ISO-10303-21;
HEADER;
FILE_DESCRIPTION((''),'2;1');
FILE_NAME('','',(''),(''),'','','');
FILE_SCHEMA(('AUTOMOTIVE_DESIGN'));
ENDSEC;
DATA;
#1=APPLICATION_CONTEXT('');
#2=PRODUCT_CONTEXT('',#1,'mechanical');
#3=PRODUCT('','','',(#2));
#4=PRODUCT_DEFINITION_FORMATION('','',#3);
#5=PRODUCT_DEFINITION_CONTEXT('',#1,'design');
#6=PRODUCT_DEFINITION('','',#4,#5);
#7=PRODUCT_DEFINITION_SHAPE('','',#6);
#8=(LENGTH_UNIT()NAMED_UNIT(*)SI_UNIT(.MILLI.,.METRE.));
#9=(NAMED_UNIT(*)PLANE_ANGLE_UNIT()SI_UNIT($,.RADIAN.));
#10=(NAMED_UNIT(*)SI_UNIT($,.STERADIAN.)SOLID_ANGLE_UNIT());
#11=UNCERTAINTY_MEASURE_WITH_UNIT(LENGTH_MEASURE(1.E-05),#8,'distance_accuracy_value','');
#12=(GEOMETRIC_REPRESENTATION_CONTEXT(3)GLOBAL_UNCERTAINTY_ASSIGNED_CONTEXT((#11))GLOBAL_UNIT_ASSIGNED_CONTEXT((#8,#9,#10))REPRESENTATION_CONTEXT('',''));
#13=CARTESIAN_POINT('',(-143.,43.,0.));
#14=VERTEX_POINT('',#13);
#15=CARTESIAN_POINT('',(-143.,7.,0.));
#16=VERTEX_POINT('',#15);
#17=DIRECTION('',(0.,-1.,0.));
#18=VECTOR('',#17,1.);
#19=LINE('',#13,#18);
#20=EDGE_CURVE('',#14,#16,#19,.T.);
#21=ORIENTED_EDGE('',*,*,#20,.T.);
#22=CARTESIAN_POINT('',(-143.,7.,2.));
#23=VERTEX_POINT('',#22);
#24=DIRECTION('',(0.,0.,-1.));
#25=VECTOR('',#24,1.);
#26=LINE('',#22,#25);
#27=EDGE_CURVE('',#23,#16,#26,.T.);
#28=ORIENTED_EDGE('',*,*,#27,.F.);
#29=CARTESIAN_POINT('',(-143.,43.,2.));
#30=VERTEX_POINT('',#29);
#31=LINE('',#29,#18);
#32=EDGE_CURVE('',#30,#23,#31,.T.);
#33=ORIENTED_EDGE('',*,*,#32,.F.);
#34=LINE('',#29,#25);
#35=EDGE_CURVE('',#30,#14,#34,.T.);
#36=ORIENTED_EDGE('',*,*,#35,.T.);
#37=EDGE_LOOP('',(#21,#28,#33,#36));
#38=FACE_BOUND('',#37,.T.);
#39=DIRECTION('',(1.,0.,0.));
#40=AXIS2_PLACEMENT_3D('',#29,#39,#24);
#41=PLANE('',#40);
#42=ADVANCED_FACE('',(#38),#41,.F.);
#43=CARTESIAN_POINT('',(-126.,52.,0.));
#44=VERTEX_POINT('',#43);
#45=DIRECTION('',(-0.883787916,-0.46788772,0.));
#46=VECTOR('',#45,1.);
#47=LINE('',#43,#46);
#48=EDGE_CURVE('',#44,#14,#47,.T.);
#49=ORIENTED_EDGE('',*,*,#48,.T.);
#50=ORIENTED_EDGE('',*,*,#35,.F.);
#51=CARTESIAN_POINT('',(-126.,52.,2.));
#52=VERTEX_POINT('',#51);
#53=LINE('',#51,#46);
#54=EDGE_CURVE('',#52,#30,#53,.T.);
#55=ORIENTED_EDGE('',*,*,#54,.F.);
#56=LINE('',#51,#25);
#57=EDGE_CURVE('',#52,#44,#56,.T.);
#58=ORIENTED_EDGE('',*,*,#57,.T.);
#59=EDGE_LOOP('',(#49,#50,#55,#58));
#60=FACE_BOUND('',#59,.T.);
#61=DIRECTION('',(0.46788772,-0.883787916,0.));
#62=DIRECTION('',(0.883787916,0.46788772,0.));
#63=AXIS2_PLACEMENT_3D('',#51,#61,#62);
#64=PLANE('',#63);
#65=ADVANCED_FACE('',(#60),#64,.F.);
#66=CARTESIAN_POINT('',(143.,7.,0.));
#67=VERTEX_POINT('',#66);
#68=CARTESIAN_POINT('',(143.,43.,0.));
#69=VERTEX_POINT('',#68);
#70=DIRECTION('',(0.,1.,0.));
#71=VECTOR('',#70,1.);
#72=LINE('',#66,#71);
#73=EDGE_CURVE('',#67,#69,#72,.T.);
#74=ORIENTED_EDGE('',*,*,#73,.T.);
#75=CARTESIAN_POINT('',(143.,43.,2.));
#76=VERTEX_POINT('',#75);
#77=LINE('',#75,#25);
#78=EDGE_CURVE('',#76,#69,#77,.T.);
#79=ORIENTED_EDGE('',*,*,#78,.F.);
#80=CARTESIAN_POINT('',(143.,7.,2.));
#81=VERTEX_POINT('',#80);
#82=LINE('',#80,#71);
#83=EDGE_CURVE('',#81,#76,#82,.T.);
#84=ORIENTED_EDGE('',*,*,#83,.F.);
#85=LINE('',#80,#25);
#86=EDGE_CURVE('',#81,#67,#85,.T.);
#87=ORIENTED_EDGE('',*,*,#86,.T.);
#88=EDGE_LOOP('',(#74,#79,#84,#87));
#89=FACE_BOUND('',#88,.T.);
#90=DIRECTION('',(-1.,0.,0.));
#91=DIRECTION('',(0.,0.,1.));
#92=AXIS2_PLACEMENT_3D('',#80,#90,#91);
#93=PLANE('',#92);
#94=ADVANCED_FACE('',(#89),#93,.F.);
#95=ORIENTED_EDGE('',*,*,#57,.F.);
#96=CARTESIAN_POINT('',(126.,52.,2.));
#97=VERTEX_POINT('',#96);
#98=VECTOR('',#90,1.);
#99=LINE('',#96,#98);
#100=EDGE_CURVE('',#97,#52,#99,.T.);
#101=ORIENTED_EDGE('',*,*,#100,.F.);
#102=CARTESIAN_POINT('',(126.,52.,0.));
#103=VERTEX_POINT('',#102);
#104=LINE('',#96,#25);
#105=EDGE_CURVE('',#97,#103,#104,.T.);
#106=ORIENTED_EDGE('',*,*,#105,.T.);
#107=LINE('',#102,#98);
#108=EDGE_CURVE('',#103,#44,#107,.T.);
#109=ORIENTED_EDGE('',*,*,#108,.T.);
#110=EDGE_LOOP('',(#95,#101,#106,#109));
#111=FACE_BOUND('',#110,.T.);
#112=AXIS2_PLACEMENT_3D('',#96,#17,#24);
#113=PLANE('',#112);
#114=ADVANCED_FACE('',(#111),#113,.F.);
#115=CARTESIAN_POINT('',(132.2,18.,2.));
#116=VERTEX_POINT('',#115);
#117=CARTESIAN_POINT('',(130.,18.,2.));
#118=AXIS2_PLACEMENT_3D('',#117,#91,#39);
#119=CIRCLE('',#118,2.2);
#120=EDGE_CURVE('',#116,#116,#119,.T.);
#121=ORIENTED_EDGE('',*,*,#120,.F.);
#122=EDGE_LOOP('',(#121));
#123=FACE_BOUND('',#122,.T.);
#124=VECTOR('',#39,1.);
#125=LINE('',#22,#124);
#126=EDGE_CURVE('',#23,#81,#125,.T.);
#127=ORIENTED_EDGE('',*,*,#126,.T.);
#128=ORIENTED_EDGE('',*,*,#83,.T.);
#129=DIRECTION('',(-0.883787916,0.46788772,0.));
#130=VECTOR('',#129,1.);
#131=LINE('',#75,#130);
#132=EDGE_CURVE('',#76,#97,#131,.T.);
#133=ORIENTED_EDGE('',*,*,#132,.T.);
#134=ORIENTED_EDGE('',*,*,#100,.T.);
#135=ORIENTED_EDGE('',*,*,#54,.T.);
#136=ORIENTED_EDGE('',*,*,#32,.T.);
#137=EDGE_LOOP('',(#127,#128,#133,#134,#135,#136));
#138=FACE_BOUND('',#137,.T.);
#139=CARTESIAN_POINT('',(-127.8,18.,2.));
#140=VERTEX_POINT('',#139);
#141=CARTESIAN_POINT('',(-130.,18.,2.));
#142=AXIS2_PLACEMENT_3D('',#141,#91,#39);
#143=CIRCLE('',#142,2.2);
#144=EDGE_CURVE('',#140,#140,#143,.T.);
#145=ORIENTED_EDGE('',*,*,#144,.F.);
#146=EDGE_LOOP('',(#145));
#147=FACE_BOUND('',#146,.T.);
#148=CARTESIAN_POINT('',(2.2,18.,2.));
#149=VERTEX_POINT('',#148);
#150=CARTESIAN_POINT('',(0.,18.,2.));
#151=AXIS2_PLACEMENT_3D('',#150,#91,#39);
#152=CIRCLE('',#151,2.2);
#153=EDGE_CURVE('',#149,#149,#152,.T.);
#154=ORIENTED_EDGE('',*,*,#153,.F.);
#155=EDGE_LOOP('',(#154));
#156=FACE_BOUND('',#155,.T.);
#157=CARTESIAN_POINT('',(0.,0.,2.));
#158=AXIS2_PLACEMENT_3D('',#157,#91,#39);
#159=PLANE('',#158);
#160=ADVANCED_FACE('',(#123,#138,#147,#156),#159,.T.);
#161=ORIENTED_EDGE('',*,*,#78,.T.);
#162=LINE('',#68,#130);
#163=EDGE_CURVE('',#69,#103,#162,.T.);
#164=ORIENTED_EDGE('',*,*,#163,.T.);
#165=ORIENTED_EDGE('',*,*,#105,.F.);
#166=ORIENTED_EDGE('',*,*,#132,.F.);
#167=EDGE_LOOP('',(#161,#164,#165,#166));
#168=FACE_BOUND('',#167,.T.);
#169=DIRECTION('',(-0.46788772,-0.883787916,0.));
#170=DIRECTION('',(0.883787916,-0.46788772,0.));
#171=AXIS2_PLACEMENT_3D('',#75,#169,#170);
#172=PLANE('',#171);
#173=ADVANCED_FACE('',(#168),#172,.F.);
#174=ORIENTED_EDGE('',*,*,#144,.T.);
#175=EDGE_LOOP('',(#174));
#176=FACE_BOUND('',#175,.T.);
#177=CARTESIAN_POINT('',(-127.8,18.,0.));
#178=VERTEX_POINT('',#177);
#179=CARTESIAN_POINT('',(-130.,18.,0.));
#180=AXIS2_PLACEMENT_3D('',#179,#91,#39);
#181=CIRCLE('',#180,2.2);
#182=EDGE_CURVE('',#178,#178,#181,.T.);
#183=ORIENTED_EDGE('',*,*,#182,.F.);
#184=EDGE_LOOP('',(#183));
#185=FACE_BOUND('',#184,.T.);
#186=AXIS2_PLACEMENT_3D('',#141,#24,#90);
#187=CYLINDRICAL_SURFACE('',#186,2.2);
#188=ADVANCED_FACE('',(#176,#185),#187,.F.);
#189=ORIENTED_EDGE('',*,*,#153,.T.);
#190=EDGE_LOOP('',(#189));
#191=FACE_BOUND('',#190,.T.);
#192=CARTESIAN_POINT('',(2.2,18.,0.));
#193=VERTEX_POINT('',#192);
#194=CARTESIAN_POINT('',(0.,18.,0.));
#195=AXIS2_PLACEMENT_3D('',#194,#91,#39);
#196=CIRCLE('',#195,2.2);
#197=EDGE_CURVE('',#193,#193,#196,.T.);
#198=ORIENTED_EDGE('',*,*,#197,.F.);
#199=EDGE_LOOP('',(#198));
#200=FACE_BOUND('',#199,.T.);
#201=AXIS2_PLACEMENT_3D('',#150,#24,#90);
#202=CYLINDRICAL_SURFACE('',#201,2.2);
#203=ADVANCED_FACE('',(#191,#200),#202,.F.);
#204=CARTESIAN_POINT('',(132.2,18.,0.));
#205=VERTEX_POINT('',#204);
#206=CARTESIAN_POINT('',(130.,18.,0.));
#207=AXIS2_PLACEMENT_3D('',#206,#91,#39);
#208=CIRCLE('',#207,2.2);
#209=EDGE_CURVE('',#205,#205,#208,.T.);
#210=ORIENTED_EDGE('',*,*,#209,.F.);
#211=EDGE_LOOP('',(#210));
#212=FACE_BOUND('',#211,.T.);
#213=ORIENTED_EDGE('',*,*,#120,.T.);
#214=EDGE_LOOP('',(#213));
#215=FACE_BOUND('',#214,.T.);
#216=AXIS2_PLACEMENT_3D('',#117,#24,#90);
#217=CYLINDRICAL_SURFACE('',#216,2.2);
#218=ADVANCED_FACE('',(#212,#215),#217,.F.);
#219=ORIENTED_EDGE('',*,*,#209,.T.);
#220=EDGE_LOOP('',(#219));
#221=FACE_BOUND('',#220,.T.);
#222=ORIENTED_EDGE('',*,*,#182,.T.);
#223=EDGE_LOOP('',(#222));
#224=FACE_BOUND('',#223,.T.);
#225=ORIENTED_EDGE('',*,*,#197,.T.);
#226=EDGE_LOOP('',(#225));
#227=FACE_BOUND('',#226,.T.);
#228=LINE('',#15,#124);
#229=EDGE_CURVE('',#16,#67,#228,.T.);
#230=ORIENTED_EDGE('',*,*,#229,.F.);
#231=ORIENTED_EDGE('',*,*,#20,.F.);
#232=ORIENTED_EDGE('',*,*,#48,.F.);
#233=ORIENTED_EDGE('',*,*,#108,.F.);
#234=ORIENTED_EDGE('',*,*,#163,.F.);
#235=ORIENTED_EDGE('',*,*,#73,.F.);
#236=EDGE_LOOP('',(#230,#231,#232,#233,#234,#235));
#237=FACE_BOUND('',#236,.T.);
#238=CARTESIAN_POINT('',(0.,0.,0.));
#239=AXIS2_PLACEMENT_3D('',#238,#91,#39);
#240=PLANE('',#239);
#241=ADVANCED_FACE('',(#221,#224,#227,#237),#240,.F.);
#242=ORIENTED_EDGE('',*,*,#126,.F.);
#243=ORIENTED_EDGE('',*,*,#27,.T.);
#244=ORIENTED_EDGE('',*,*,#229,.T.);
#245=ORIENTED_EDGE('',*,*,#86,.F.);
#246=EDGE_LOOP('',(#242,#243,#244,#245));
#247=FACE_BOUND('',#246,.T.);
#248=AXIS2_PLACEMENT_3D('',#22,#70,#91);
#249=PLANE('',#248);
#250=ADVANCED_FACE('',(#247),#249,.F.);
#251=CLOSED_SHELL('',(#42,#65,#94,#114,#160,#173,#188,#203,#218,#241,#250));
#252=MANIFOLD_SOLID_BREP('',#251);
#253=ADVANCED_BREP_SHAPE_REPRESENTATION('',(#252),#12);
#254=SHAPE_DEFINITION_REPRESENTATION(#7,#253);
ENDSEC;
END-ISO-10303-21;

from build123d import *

# Parameters (mm, degrees)
LOW_REAR_PROTECTION_PROFILE_R = 2.2
LOW_REAR_PROTECTION_DEPTH     = 2


with BuildPart() as part:
    # Low rear protection profile → Low rear protection (new body)
    with BuildSketch(Plane.XY):
        Polygon((-143, 7), (143, 7), (143, 43), (126, 52), (-126, 52), (-143, 43), align=None)
        with Locations((-130, 18)):
            Circle(LOW_REAR_PROTECTION_PROFILE_R, mode=Mode.SUBTRACT)
        with Locations((0, 18)):
            Circle(LOW_REAR_PROTECTION_PROFILE_R, mode=Mode.SUBTRACT)
        with Locations((130, 18)):
            Circle(LOW_REAR_PROTECTION_PROFILE_R, mode=Mode.SUBTRACT)
    extrude(amount=LOW_REAR_PROTECTION_DEPTH)


solid = part.part
